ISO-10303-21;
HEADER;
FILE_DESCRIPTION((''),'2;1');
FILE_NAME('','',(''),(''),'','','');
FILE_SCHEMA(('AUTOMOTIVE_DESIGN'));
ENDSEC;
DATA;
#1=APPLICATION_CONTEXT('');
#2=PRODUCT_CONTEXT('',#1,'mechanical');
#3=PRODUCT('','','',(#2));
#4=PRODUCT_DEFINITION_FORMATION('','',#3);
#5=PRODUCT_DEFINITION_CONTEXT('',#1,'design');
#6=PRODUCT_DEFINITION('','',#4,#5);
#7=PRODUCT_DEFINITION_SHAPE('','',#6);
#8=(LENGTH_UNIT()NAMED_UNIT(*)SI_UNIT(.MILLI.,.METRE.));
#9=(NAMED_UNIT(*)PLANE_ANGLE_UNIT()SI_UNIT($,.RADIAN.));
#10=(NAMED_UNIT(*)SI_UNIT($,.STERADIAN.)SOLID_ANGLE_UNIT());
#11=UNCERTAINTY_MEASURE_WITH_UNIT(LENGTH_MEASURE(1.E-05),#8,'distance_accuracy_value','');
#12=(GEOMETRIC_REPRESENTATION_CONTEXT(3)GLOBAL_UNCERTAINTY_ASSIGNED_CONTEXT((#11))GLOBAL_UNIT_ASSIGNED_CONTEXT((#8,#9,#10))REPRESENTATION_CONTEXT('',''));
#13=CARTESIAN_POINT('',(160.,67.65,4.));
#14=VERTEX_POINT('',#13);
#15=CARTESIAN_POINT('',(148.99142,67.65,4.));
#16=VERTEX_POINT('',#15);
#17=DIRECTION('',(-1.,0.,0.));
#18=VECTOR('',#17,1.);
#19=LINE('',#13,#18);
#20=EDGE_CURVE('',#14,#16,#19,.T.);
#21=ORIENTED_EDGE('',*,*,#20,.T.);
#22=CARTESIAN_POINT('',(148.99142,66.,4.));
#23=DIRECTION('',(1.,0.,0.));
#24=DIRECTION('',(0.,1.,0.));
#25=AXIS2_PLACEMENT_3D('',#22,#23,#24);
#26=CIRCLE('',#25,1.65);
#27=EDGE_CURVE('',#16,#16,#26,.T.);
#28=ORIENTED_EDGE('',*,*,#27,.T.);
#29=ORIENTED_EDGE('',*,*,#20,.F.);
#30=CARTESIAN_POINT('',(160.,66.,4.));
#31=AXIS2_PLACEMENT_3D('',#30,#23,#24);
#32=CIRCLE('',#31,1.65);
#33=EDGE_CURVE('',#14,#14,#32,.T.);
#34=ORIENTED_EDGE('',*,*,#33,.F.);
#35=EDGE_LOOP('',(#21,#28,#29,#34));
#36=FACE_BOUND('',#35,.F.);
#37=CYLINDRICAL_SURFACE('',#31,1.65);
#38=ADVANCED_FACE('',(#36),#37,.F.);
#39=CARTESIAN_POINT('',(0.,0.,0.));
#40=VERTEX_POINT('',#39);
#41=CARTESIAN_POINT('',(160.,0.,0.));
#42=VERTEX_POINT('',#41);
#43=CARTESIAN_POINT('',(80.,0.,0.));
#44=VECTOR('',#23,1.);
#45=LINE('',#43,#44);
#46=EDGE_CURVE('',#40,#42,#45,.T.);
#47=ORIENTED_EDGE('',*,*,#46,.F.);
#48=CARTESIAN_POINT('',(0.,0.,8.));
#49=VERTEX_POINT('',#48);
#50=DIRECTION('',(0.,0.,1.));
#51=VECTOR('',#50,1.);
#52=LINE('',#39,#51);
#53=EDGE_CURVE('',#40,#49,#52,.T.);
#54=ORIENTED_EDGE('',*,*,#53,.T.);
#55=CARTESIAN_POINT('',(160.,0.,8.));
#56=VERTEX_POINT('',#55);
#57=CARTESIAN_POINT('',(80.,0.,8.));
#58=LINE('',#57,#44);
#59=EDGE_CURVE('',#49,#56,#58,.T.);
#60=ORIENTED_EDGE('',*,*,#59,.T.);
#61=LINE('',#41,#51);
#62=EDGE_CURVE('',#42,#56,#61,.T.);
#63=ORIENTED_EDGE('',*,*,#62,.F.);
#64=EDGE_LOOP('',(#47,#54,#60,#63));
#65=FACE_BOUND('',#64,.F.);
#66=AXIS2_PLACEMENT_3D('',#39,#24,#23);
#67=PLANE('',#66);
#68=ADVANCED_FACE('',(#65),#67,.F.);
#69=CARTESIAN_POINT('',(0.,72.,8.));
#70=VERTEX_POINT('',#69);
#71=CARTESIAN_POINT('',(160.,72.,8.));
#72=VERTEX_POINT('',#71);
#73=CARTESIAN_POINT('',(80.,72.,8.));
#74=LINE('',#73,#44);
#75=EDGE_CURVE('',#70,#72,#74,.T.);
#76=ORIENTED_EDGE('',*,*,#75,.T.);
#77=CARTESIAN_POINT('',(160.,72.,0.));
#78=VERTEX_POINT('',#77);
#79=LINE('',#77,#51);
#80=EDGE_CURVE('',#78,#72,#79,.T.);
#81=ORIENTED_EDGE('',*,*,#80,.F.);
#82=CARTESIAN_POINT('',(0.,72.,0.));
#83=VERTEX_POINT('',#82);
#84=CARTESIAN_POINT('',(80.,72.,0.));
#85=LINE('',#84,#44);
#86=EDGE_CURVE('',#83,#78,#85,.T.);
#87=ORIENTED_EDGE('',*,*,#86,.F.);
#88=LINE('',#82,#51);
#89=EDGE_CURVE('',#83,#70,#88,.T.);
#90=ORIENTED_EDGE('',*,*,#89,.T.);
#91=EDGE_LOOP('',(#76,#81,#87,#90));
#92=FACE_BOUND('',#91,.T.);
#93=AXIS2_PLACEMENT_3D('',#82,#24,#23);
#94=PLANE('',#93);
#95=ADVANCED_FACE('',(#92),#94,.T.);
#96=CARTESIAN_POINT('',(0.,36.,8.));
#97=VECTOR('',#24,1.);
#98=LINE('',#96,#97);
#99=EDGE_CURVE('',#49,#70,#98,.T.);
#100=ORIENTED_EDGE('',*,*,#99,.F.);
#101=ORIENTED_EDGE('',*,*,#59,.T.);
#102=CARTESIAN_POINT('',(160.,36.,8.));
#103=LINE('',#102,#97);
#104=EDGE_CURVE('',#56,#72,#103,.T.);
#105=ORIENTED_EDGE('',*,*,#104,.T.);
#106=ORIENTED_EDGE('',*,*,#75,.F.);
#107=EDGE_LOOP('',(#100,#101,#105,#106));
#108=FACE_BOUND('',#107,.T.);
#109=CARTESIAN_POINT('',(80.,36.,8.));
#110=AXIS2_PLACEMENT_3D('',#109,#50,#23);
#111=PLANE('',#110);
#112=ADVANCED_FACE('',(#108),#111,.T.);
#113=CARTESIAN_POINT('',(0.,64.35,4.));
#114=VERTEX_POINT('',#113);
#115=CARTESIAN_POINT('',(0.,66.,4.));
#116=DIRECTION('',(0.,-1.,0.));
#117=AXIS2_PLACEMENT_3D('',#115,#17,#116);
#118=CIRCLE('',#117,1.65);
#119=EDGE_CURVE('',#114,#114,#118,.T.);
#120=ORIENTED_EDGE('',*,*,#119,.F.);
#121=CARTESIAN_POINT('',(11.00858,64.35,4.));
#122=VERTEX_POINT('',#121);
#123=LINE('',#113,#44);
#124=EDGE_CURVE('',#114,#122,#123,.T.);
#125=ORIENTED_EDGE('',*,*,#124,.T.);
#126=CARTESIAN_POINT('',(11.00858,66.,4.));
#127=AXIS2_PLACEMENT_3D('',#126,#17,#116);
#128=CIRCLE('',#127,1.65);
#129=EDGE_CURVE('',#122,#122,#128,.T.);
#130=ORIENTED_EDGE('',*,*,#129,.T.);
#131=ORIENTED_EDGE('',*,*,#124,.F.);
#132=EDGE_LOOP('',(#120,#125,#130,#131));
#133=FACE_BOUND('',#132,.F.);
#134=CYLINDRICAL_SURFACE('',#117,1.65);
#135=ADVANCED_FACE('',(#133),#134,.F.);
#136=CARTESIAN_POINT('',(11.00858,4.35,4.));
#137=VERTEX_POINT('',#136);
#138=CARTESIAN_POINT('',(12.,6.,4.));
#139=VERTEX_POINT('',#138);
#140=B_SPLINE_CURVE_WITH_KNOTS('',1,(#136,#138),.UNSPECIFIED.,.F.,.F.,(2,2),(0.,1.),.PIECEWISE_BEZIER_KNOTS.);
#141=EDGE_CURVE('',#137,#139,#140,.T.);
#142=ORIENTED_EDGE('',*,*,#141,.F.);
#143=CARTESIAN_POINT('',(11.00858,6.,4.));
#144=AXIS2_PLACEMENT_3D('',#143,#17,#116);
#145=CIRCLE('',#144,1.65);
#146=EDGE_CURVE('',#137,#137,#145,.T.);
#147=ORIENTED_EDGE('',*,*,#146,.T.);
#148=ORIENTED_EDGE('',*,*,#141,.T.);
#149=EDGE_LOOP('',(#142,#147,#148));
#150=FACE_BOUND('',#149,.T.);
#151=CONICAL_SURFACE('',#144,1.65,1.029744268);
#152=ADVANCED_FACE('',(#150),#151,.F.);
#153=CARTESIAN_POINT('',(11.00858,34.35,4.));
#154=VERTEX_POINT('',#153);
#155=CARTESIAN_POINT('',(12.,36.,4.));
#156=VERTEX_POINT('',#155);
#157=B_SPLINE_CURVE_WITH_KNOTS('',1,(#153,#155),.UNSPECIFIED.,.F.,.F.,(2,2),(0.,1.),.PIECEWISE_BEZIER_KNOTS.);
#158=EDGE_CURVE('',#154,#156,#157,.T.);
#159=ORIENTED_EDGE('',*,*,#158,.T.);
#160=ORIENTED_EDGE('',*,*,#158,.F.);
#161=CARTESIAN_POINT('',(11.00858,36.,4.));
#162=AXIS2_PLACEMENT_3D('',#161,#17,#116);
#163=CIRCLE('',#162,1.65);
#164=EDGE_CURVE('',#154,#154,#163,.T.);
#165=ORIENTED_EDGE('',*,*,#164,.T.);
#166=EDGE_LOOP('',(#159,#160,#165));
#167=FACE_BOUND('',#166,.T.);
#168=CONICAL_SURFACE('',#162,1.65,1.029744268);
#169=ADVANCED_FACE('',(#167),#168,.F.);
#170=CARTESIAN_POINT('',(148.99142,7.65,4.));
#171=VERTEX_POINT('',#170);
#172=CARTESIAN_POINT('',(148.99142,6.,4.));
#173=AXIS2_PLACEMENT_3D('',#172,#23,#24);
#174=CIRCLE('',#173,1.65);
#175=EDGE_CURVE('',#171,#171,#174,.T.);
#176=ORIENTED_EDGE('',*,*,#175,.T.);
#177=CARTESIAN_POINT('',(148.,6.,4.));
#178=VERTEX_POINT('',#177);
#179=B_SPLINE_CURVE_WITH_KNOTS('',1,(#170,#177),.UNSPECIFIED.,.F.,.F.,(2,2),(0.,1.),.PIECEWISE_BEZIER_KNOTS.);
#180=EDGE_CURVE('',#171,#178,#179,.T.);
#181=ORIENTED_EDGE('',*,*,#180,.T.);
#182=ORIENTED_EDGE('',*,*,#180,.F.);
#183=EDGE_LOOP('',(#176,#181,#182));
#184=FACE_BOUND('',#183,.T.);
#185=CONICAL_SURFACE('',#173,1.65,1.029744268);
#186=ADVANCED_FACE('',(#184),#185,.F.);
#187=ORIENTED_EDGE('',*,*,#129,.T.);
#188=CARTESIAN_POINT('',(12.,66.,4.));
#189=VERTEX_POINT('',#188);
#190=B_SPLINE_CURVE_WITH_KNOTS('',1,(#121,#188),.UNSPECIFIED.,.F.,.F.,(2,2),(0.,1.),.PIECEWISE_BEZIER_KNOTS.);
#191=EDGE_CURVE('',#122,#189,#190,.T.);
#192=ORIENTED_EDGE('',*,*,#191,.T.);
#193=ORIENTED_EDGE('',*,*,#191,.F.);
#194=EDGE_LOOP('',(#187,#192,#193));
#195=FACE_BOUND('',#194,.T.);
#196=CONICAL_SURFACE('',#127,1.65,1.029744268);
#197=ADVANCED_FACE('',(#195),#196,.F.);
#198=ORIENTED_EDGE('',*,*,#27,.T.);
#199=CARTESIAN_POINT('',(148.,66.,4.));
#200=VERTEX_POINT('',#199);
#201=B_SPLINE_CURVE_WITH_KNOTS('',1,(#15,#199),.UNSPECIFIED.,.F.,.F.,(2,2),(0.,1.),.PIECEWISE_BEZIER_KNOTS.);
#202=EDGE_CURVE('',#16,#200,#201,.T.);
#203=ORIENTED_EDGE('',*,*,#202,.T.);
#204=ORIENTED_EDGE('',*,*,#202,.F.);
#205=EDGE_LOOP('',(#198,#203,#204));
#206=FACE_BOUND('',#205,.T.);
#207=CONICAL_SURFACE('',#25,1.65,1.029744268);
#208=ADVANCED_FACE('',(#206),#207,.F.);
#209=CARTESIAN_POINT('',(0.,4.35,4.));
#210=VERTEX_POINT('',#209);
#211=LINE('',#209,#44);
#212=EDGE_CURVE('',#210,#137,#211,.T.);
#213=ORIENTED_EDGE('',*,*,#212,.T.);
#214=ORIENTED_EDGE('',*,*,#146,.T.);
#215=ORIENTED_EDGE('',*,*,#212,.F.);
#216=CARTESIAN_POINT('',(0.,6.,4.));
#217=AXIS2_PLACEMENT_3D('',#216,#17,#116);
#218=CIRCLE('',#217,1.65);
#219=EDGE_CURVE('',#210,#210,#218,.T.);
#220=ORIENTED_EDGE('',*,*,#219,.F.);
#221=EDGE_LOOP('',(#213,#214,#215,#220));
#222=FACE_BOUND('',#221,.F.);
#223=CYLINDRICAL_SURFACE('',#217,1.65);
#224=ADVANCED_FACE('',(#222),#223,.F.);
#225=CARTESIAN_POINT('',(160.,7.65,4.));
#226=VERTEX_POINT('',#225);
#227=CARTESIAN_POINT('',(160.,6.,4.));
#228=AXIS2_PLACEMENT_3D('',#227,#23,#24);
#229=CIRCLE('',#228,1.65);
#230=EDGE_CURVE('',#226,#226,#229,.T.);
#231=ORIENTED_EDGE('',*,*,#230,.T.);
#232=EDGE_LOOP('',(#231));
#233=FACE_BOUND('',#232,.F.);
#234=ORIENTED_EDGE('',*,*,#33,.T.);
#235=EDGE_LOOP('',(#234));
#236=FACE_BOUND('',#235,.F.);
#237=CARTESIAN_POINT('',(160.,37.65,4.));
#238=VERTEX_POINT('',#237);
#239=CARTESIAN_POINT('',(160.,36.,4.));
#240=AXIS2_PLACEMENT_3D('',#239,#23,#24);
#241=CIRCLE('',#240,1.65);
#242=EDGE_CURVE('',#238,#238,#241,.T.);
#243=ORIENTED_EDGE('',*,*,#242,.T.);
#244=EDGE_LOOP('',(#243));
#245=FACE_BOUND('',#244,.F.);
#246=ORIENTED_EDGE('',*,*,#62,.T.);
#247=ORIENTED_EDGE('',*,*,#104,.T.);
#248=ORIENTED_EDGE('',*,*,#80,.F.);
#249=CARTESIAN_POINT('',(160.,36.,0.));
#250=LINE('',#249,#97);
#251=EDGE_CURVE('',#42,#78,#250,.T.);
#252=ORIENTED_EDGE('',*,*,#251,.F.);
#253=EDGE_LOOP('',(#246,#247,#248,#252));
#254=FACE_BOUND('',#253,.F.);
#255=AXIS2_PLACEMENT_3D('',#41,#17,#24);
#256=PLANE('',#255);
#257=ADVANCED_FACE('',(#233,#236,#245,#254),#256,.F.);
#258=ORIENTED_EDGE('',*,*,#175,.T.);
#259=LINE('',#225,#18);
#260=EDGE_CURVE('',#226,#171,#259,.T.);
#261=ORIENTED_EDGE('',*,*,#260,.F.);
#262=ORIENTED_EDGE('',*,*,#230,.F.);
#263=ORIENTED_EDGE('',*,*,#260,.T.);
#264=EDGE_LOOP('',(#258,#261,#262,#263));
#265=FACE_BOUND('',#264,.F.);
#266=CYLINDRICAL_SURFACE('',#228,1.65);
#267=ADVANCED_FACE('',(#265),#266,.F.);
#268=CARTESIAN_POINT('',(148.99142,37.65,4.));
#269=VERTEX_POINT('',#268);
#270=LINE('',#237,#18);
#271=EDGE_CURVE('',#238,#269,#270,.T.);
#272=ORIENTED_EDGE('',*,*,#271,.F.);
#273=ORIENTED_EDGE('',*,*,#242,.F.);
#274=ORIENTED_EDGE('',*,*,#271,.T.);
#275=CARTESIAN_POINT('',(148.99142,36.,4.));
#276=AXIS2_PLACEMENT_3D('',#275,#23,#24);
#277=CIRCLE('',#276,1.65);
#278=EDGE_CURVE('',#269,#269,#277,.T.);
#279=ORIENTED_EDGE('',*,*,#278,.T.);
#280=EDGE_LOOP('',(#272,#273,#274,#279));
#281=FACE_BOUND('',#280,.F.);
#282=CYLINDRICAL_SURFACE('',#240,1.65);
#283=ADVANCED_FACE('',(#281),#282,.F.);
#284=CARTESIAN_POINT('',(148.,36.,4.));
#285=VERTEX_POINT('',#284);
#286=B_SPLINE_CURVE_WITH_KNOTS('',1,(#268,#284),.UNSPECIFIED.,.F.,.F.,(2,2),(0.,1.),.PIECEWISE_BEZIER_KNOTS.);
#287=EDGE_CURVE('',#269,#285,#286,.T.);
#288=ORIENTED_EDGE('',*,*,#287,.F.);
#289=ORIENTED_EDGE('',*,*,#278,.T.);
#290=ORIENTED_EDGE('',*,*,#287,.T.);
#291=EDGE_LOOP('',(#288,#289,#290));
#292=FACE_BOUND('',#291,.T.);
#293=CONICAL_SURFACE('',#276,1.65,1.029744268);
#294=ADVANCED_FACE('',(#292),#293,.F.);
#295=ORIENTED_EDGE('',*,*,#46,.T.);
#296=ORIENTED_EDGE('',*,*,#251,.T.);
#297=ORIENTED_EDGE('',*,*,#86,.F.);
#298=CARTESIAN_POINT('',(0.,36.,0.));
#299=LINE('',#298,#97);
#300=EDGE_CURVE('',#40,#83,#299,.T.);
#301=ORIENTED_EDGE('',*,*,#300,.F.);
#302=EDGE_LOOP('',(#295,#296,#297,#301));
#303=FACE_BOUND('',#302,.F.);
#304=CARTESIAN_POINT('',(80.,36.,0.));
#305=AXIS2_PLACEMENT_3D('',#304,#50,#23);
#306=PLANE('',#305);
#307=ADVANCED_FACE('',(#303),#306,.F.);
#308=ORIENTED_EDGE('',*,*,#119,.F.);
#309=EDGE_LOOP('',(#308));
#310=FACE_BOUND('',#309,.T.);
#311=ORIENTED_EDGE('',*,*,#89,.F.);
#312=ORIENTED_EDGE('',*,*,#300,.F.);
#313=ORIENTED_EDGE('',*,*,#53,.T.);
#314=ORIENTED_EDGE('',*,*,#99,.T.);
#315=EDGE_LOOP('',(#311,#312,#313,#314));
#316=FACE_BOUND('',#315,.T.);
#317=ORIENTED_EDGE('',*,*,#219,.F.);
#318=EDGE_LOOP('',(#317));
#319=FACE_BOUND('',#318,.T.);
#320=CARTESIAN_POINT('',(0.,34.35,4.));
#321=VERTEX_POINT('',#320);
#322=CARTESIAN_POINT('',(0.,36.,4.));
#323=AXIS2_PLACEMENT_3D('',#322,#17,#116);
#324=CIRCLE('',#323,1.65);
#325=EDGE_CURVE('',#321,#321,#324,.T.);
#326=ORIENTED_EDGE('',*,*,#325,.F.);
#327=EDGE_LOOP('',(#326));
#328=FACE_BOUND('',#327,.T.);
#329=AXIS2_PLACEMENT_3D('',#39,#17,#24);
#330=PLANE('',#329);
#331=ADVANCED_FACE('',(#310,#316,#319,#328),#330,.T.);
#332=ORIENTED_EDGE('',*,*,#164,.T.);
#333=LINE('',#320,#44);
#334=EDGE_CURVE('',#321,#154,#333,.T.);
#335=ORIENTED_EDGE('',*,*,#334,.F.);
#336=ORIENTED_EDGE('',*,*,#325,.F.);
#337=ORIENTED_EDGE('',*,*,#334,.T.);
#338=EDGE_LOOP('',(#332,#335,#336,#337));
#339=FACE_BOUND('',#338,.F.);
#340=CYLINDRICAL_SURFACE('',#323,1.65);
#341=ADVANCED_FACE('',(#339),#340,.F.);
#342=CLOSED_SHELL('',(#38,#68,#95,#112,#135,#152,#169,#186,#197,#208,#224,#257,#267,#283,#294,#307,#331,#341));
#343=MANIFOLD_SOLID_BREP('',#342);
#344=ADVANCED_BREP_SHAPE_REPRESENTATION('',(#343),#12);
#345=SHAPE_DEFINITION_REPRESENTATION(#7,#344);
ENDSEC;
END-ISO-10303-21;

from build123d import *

# Parameters (mm, degrees)
BOX_W          = 160
BOX_H          = 72
BOX_DEPTH      = 8
SKETCH_R       = 1.65
HOLE_DEPTH     = 11.00858
HOLE_TIPS_R    = 1.65
SKETCH001_R    = 1.65
HOLE001_DEPTH  = 11.00858
HOLE001_TIPS_R = 1.65


with BuildPart() as part:
    # Box → Box (new body)
    with BuildSketch(Plane.XY):
        with Locations((80, 36)):
            Rectangle(BOX_W, BOX_H)
    extrude(amount=BOX_DEPTH)

    # Sketch (on Face1 of BaseFeature) → Hole (cut)
    with BuildSketch(Plane(origin=(0, 0, 0), x_dir=(0, -1, 0), z_dir=(-1, 0, 0))):
        with Locations((-66, 4)):
            Circle(SKETCH_R)
        with Locations((-36, 4)):
            Circle(SKETCH_R)
        with Locations((-6, 4)):
            Circle(SKETCH_R)
    extrude(amount=-HOLE_DEPTH, mode=Mode.SUBTRACT)

    # Hole tips → Hole tip 1 section 0
    with BuildSketch(Plane(origin=(11.00858, 0, 0), x_dir=(0, -1, 0), z_dir=(-1, 0, 0)), mode=Mode.PRIVATE) as hole_tip_1_s0:
        with Locations((-66, 4)):
            Circle(HOLE_TIPS_R)
    loft([hole_tip_1_s0.sketch, Vertex(12, 66, 4)], mode=Mode.SUBTRACT)

    # Hole tips → Hole tip 2 section 0
    with BuildSketch(Plane(origin=(11.00858, 0, 0), x_dir=(0, -1, 0), z_dir=(-1, 0, 0)), mode=Mode.PRIVATE) as hole_tip_2_s0:
        with Locations((-36, 4)):
            Circle(HOLE_TIPS_R)
    loft([hole_tip_2_s0.sketch, Vertex(12, 36, 4)], mode=Mode.SUBTRACT)

    # Hole tips → Hole tip 3 section 0
    with BuildSketch(Plane(origin=(11.00858, 0, 0), x_dir=(0, -1, 0), z_dir=(-1, 0, 0)), mode=Mode.PRIVATE) as hole_tip_3_s0:
        with Locations((-6, 4)):
            Circle(HOLE_TIPS_R)
    loft([hole_tip_3_s0.sketch, Vertex(12, 6, 4)], mode=Mode.SUBTRACT)

    # Sketch001 (on Face9 of Hole) → Hole001 (cut)
    with BuildSketch(Plane.YZ.offset(160)):
        with Locations((6, 4)):
            Circle(SKETCH001_R)
        with Locations((36, 4)):
            Circle(SKETCH001_R)
        with Locations((66, 4)):
            Circle(SKETCH001_R)
    extrude(amount=-HOLE001_DEPTH, mode=Mode.SUBTRACT)

    # Hole001 tips → Hole001 tip 1 section 0
    with BuildSketch(Plane.YZ.offset(148.99142), mode=Mode.PRIVATE) as hole001_tip_1_s0:
        with Locations((6, 4)):
            Circle(HOLE001_TIPS_R)
    loft([hole001_tip_1_s0.sketch, Vertex(148, 6, 4)], mode=Mode.SUBTRACT)

    # Hole001 tips → Hole001 tip 2 section 0
    with BuildSketch(Plane.YZ.offset(148.99142), mode=Mode.PRIVATE) as hole001_tip_2_s0:
        with Locations((36, 4)):
            Circle(HOLE001_TIPS_R)
    loft([hole001_tip_2_s0.sketch, Vertex(148, 36, 4)], mode=Mode.SUBTRACT)

    # Hole001 tips → Hole001 tip 3 section 0
    with BuildSketch(Plane.YZ.offset(148.99142), mode=Mode.PRIVATE) as hole001_tip_3_s0:
        with Locations((66, 4)):
            Circle(HOLE001_TIPS_R)
    loft([hole001_tip_3_s0.sketch, Vertex(148, 66, 4)], mode=Mode.SUBTRACT)


solid = part.part
